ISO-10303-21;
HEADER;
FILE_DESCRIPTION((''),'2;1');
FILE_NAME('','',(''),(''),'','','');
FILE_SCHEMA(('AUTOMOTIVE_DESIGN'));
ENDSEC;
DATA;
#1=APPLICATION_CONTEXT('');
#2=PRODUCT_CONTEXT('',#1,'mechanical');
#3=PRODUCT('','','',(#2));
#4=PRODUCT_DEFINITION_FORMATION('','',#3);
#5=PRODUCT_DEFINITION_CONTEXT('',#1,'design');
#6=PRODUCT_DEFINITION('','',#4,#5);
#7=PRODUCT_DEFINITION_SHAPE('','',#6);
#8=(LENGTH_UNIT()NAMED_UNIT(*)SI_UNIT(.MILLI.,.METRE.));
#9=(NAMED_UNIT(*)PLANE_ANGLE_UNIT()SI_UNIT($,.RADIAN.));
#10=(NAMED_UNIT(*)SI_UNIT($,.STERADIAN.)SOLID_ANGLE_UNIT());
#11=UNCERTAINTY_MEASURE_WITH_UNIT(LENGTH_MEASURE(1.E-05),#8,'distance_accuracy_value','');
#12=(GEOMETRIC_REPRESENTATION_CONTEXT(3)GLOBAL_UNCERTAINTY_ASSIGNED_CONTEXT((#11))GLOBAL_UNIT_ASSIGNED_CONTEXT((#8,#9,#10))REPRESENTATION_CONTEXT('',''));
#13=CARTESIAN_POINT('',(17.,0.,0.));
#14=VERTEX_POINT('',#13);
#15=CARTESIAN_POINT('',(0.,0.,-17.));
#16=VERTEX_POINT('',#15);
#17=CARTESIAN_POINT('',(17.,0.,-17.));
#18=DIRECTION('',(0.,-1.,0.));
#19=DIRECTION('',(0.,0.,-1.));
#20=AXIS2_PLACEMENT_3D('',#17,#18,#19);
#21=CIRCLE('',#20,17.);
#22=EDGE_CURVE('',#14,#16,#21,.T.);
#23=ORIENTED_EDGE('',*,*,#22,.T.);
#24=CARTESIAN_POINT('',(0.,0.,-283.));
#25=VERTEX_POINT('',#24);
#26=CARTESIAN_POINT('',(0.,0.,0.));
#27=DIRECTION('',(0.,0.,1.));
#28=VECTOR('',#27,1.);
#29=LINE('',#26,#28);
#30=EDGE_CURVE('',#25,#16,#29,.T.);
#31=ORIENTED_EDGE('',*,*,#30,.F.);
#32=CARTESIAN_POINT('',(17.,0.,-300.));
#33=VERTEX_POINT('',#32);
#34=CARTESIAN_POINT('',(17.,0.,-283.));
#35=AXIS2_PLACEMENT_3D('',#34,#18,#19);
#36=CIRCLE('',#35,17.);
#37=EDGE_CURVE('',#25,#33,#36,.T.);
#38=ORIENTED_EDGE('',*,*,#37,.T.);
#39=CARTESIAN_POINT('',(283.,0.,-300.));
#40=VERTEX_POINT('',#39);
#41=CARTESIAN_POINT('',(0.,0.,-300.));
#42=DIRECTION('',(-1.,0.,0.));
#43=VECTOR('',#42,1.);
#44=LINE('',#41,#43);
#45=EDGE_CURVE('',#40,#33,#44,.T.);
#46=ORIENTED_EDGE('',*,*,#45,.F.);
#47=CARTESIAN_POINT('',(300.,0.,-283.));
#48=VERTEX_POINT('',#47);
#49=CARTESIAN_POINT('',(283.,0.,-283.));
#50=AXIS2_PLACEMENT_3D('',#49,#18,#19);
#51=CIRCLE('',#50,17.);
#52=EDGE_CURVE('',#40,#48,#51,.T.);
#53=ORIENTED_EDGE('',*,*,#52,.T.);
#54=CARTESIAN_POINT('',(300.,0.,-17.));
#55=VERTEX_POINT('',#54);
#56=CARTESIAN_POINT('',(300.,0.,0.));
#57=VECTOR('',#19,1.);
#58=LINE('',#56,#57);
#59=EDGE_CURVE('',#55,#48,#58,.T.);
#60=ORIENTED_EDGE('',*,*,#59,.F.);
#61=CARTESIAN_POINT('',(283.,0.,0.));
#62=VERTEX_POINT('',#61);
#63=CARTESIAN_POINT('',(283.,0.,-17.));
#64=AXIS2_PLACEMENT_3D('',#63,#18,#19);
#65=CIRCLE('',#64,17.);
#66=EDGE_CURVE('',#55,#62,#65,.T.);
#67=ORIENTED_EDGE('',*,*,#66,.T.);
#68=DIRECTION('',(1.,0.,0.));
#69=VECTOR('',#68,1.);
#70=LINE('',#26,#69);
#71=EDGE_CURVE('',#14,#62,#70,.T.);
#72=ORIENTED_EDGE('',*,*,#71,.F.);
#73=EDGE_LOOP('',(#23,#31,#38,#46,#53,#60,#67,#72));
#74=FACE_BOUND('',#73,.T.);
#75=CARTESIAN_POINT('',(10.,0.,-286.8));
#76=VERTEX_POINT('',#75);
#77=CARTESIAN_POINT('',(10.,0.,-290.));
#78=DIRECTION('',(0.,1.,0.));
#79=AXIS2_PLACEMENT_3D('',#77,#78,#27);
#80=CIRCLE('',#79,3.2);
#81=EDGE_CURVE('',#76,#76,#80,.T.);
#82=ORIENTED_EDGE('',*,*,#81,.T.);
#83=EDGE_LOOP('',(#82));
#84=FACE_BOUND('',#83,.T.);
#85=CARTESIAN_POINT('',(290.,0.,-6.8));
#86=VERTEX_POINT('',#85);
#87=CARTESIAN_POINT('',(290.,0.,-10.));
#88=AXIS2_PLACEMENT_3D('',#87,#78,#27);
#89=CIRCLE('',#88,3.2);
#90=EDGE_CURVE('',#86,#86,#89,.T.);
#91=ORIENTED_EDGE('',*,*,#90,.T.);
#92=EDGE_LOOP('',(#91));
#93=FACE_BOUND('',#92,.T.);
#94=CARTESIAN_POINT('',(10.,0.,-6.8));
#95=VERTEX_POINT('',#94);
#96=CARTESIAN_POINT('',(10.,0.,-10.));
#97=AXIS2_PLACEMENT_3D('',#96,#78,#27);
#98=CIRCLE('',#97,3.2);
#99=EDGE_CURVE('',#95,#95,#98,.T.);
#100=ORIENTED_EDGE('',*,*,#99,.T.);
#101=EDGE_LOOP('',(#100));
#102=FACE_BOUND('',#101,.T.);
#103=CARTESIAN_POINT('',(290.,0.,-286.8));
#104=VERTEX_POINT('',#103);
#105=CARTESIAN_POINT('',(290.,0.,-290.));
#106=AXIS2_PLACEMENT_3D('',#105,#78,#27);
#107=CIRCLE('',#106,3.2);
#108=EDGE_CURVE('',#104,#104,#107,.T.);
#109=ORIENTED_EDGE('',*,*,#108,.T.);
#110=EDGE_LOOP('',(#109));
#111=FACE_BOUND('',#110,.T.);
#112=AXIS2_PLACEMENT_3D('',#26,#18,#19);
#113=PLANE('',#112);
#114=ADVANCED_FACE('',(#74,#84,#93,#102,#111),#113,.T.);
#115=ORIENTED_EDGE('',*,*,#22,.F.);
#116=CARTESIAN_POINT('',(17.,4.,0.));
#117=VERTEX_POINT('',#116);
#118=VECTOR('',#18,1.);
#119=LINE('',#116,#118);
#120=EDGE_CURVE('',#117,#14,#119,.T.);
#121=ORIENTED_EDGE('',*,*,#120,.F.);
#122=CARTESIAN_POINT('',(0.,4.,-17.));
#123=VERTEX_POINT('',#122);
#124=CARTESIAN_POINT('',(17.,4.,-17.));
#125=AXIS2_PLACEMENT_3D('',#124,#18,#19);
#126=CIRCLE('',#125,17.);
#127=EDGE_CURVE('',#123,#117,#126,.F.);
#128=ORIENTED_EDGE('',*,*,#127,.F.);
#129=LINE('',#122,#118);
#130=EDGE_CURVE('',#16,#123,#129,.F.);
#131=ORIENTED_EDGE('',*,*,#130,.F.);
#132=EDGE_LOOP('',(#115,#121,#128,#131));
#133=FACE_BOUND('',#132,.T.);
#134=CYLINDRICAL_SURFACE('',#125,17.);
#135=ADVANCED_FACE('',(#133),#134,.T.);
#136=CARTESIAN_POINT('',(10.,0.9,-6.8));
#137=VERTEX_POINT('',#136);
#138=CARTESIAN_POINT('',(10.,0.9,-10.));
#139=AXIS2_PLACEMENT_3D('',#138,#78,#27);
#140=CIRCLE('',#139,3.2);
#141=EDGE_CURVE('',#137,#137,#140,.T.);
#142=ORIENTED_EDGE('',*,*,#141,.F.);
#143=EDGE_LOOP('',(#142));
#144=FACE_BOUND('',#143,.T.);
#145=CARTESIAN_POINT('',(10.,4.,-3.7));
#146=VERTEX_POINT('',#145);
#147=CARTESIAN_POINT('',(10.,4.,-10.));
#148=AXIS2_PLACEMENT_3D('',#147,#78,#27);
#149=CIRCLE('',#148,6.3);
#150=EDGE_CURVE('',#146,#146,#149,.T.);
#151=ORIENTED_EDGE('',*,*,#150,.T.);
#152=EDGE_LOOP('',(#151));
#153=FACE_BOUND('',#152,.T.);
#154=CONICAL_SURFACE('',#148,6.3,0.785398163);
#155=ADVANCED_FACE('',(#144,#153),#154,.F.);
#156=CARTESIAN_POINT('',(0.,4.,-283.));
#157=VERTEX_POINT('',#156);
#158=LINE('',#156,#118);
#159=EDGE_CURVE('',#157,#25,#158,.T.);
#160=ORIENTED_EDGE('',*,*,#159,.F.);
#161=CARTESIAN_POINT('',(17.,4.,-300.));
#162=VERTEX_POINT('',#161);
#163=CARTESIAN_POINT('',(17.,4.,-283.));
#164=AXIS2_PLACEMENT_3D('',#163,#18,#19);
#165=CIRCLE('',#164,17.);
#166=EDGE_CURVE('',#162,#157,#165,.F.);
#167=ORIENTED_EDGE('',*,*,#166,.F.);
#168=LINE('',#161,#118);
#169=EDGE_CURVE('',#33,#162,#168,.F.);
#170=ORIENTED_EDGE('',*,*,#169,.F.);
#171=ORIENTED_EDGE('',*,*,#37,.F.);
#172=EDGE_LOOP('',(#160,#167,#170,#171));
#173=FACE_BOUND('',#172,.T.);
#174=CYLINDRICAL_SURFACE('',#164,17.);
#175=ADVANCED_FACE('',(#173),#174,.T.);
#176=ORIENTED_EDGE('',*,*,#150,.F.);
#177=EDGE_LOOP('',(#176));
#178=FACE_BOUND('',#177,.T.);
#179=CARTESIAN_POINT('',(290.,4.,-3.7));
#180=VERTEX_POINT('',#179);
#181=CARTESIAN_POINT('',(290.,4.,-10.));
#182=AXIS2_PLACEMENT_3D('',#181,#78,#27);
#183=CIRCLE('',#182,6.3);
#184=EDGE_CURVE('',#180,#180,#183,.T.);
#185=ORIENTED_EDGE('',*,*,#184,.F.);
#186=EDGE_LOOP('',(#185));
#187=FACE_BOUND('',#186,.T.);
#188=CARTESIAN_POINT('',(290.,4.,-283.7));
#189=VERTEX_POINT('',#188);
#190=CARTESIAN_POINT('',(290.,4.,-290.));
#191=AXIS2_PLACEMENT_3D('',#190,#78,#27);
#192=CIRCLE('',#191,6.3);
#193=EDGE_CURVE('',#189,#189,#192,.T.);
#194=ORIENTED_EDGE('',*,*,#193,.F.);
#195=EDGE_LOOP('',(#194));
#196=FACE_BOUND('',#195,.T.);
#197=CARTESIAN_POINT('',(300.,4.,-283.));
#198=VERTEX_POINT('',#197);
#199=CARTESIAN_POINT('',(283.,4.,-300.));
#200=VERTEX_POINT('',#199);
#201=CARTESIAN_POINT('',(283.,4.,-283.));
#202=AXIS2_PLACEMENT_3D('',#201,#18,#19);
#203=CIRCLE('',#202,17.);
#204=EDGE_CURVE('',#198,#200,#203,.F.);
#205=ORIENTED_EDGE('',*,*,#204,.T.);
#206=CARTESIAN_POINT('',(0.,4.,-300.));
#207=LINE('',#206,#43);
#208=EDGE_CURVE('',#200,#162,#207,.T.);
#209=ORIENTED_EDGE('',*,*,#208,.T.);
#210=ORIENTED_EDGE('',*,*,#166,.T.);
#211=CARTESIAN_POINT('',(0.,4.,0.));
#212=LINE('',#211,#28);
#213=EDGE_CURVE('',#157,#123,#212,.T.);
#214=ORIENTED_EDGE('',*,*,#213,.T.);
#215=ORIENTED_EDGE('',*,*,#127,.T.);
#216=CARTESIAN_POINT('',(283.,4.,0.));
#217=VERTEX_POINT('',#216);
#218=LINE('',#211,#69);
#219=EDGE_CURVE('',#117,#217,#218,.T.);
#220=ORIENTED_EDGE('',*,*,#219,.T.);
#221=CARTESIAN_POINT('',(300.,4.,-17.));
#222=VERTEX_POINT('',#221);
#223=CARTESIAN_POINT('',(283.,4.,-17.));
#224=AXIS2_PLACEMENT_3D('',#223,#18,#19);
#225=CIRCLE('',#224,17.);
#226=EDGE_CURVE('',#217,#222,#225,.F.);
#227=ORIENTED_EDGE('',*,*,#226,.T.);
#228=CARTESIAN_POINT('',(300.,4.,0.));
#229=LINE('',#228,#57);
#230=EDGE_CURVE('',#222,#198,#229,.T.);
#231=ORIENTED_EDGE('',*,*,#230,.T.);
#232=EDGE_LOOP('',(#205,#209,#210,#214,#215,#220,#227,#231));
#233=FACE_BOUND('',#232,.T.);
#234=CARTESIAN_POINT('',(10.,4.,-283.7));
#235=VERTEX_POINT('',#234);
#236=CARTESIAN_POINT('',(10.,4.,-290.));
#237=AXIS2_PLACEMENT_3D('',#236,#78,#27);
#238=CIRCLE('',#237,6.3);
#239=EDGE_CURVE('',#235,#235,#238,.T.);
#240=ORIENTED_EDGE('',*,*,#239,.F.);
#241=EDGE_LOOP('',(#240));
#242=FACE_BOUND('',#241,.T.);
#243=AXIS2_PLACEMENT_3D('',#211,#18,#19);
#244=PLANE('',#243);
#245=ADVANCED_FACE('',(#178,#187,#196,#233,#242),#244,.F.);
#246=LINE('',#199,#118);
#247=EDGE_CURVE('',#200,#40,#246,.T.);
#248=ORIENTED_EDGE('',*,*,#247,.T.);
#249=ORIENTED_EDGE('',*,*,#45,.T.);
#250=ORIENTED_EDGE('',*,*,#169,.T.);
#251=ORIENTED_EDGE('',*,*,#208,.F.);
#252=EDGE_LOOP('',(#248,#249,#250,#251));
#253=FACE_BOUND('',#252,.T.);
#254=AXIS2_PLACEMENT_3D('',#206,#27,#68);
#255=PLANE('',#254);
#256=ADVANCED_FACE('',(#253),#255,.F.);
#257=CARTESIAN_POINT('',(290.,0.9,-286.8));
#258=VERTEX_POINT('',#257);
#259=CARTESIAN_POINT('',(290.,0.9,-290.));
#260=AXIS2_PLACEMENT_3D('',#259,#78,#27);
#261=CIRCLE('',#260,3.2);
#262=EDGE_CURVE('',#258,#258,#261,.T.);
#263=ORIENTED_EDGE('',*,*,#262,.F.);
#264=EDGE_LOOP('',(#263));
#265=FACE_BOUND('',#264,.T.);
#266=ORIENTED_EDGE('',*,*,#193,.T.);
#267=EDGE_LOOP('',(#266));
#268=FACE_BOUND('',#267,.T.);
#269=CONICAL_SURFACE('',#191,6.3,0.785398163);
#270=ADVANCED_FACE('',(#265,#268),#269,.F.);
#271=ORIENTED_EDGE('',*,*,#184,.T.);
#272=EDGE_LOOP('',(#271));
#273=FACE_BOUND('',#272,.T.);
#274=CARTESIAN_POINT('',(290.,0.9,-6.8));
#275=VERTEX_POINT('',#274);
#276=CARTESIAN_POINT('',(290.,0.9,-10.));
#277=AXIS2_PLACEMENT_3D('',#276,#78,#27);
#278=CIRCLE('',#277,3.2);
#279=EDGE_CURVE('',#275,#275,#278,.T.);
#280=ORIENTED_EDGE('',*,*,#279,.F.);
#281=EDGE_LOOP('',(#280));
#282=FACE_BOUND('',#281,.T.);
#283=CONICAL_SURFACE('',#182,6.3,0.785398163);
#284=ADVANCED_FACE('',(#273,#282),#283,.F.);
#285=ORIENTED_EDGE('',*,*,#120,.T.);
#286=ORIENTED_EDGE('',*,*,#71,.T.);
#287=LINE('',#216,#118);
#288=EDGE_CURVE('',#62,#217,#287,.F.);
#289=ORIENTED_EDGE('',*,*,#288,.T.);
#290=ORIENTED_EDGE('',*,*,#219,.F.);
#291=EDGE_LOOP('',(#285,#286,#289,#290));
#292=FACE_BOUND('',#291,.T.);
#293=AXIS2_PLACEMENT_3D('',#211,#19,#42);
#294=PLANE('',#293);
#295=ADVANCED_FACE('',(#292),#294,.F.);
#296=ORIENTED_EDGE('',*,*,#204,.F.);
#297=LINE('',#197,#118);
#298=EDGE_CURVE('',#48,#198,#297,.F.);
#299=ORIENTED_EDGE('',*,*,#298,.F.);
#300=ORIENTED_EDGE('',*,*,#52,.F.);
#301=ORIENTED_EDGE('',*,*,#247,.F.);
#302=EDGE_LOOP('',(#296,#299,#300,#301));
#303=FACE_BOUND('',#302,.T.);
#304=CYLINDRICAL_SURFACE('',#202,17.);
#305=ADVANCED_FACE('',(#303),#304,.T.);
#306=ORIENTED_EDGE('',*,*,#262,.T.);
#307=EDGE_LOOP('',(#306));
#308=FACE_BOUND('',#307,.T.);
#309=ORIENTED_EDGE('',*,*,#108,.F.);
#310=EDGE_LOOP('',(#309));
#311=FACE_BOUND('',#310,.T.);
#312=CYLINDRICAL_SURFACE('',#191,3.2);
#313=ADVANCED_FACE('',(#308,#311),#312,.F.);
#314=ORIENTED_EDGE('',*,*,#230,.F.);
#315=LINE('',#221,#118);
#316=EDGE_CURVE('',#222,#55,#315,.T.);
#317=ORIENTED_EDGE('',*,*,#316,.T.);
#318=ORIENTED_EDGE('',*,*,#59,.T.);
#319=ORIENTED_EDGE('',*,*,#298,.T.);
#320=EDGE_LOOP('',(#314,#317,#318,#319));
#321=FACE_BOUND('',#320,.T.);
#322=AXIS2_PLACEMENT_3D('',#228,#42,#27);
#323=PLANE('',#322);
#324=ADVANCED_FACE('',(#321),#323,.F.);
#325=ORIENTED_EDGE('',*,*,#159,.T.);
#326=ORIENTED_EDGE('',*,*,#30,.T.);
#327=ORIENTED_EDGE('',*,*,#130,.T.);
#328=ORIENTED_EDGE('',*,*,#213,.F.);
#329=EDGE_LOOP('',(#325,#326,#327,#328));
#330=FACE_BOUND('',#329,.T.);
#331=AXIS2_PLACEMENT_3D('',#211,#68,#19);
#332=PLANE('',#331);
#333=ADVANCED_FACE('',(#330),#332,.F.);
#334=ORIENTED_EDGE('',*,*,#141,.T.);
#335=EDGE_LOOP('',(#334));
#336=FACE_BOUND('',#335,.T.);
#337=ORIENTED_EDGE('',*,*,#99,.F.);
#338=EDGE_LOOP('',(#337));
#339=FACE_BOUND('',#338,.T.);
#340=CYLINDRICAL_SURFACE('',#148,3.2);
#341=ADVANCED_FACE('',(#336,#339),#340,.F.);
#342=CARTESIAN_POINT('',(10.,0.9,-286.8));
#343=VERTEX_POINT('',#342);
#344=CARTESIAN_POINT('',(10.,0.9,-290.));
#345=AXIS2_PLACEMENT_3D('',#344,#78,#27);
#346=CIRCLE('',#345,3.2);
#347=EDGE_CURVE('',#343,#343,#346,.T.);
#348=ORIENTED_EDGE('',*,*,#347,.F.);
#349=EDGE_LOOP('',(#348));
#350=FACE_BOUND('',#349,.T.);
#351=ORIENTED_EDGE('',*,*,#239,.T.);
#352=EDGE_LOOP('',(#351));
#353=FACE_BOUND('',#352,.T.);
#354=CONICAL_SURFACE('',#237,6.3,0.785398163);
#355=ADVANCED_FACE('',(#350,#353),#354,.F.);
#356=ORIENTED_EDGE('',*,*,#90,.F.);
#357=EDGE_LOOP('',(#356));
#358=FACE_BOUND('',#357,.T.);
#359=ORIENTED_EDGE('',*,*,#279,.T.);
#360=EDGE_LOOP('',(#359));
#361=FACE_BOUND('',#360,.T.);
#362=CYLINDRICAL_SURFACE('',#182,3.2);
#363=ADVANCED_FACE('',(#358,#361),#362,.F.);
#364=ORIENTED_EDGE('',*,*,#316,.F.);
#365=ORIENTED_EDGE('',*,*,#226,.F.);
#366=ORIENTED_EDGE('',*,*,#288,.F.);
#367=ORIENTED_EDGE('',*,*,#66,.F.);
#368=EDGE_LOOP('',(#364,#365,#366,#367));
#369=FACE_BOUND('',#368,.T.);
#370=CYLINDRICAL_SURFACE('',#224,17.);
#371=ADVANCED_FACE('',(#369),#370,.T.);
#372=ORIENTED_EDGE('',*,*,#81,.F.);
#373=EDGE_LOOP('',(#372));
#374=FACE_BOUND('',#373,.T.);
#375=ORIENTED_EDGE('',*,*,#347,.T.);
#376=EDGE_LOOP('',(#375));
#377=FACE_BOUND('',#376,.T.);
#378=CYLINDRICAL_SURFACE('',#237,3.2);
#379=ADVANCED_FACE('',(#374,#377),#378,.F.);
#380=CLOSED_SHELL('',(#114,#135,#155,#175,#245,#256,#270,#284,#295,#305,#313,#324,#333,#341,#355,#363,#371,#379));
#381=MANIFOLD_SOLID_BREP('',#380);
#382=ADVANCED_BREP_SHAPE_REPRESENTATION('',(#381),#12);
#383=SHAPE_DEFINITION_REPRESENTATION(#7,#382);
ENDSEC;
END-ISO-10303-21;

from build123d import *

# Parameters (mm, degrees)
SKIZZE1_W                                   = 300
SKIZZE1_H                                   = 300
AUFSATZ_LINEAR_AUSTRAGEN1_DEPTH             = 4
VERRUNDUNG1_R                               = 17
FORMSENKUNG_F_R_M6_SENKSCHRAUBE_MIT_2_COUNT = 2
FORMSENKUNG_F_R_M6_SENKSCHRAUBE_MIT_2_PITCH = 280
FORMSENKUNG_F_R_M6_SENKSCHRAUBE_MIT_3_COUNT = 2
FORMSENKUNG_F_R_M6_SENKSCHRAUBE_MIT_3_PITCH = 395.979797464
FORMSENKUNG_F_R_M6_SENKSCHRAUBE_MIT_4_COUNT = 2
FORMSENKUNG_F_R_M6_SENKSCHRAUBE_MIT_4_PITCH = 280


with BuildPart() as part:
    # Skizze1 → Aufsatz-Linear austragen1 (new body)
    with BuildSketch(Plane(origin=(0, 0, 0), x_dir=(1, 0, 0), z_dir=(0, 1, 0))):
        with Locations((150, 150)):
            Rectangle(SKIZZE1_W, SKIZZE1_H)
    extrude(amount=AUFSATZ_LINEAR_AUSTRAGEN1_DEPTH)

    # Verrundung1
    verrundung1_edges = [part.edges().sort_by_distance(p)[0] for p in [
        (0, 2, -300),
        (300, 2, -300),
        (300, 2, 0),
        (0, 2, 0),
    ]]
    fillet(verrundung1_edges, radius=VERRUNDUNG1_R)

    # Skizze2 → Formsenkung für M6 Senkschraube mit Schlitz/Kreuzschlitz1 (revolve, cut)
    with BuildSketch(Plane(origin=(290, 4, -10), x_dir=(0, 0, 1), z_dir=(1, 0, 0))):
        Polygon((0, 0), (0, 4), (3.2, 4), (3.2, 3.1), (6.3, 0), align=None)
    formsenkung_f_r_m6_senkschraube_mit_schl = revolve(axis=Axis((290, 10.35, -10), (0, -1, 0)), mode=Mode.SUBTRACT)

    # Formsenkung f_r M6 Senkschraube mit  2: Formsenkung für M6 Senkschraube mit Schlitz/Kreuzschlitz1 ×2
    with Locations(*[(-i * FORMSENKUNG_F_R_M6_SENKSCHRAUBE_MIT_2_PITCH, 0, 0) for i in range(1, FORMSENKUNG_F_R_M6_SENKSCHRAUBE_MIT_2_COUNT)]):
        add(formsenkung_f_r_m6_senkschraube_mit_schl, mode=Mode.SUBTRACT)

    # Formsenkung f_r M6 Senkschraube mit  3: Formsenkung für M6 Senkschraube mit Schlitz/Kreuzschlitz1 ×2
    with Locations(*[Vector(-0.7071067811865475, 0, -0.7071067811865476) * (i * FORMSENKUNG_F_R_M6_SENKSCHRAUBE_MIT_3_PITCH) for i in range(1, FORMSENKUNG_F_R_M6_SENKSCHRAUBE_MIT_3_COUNT)]):
        add(formsenkung_f_r_m6_senkschraube_mit_schl, mode=Mode.SUBTRACT)

    # Formsenkung f_r M6 Senkschraube mit  4: Formsenkung für M6 Senkschraube mit Schlitz/Kreuzschlitz1 ×2
    with Locations(*[(0, 0, -i * FORMSENKUNG_F_R_M6_SENKSCHRAUBE_MIT_4_PITCH) for i in range(1, FORMSENKUNG_F_R_M6_SENKSCHRAUBE_MIT_4_COUNT)]):
        add(formsenkung_f_r_m6_senkschraube_mit_schl, mode=Mode.SUBTRACT)


solid = part.part
